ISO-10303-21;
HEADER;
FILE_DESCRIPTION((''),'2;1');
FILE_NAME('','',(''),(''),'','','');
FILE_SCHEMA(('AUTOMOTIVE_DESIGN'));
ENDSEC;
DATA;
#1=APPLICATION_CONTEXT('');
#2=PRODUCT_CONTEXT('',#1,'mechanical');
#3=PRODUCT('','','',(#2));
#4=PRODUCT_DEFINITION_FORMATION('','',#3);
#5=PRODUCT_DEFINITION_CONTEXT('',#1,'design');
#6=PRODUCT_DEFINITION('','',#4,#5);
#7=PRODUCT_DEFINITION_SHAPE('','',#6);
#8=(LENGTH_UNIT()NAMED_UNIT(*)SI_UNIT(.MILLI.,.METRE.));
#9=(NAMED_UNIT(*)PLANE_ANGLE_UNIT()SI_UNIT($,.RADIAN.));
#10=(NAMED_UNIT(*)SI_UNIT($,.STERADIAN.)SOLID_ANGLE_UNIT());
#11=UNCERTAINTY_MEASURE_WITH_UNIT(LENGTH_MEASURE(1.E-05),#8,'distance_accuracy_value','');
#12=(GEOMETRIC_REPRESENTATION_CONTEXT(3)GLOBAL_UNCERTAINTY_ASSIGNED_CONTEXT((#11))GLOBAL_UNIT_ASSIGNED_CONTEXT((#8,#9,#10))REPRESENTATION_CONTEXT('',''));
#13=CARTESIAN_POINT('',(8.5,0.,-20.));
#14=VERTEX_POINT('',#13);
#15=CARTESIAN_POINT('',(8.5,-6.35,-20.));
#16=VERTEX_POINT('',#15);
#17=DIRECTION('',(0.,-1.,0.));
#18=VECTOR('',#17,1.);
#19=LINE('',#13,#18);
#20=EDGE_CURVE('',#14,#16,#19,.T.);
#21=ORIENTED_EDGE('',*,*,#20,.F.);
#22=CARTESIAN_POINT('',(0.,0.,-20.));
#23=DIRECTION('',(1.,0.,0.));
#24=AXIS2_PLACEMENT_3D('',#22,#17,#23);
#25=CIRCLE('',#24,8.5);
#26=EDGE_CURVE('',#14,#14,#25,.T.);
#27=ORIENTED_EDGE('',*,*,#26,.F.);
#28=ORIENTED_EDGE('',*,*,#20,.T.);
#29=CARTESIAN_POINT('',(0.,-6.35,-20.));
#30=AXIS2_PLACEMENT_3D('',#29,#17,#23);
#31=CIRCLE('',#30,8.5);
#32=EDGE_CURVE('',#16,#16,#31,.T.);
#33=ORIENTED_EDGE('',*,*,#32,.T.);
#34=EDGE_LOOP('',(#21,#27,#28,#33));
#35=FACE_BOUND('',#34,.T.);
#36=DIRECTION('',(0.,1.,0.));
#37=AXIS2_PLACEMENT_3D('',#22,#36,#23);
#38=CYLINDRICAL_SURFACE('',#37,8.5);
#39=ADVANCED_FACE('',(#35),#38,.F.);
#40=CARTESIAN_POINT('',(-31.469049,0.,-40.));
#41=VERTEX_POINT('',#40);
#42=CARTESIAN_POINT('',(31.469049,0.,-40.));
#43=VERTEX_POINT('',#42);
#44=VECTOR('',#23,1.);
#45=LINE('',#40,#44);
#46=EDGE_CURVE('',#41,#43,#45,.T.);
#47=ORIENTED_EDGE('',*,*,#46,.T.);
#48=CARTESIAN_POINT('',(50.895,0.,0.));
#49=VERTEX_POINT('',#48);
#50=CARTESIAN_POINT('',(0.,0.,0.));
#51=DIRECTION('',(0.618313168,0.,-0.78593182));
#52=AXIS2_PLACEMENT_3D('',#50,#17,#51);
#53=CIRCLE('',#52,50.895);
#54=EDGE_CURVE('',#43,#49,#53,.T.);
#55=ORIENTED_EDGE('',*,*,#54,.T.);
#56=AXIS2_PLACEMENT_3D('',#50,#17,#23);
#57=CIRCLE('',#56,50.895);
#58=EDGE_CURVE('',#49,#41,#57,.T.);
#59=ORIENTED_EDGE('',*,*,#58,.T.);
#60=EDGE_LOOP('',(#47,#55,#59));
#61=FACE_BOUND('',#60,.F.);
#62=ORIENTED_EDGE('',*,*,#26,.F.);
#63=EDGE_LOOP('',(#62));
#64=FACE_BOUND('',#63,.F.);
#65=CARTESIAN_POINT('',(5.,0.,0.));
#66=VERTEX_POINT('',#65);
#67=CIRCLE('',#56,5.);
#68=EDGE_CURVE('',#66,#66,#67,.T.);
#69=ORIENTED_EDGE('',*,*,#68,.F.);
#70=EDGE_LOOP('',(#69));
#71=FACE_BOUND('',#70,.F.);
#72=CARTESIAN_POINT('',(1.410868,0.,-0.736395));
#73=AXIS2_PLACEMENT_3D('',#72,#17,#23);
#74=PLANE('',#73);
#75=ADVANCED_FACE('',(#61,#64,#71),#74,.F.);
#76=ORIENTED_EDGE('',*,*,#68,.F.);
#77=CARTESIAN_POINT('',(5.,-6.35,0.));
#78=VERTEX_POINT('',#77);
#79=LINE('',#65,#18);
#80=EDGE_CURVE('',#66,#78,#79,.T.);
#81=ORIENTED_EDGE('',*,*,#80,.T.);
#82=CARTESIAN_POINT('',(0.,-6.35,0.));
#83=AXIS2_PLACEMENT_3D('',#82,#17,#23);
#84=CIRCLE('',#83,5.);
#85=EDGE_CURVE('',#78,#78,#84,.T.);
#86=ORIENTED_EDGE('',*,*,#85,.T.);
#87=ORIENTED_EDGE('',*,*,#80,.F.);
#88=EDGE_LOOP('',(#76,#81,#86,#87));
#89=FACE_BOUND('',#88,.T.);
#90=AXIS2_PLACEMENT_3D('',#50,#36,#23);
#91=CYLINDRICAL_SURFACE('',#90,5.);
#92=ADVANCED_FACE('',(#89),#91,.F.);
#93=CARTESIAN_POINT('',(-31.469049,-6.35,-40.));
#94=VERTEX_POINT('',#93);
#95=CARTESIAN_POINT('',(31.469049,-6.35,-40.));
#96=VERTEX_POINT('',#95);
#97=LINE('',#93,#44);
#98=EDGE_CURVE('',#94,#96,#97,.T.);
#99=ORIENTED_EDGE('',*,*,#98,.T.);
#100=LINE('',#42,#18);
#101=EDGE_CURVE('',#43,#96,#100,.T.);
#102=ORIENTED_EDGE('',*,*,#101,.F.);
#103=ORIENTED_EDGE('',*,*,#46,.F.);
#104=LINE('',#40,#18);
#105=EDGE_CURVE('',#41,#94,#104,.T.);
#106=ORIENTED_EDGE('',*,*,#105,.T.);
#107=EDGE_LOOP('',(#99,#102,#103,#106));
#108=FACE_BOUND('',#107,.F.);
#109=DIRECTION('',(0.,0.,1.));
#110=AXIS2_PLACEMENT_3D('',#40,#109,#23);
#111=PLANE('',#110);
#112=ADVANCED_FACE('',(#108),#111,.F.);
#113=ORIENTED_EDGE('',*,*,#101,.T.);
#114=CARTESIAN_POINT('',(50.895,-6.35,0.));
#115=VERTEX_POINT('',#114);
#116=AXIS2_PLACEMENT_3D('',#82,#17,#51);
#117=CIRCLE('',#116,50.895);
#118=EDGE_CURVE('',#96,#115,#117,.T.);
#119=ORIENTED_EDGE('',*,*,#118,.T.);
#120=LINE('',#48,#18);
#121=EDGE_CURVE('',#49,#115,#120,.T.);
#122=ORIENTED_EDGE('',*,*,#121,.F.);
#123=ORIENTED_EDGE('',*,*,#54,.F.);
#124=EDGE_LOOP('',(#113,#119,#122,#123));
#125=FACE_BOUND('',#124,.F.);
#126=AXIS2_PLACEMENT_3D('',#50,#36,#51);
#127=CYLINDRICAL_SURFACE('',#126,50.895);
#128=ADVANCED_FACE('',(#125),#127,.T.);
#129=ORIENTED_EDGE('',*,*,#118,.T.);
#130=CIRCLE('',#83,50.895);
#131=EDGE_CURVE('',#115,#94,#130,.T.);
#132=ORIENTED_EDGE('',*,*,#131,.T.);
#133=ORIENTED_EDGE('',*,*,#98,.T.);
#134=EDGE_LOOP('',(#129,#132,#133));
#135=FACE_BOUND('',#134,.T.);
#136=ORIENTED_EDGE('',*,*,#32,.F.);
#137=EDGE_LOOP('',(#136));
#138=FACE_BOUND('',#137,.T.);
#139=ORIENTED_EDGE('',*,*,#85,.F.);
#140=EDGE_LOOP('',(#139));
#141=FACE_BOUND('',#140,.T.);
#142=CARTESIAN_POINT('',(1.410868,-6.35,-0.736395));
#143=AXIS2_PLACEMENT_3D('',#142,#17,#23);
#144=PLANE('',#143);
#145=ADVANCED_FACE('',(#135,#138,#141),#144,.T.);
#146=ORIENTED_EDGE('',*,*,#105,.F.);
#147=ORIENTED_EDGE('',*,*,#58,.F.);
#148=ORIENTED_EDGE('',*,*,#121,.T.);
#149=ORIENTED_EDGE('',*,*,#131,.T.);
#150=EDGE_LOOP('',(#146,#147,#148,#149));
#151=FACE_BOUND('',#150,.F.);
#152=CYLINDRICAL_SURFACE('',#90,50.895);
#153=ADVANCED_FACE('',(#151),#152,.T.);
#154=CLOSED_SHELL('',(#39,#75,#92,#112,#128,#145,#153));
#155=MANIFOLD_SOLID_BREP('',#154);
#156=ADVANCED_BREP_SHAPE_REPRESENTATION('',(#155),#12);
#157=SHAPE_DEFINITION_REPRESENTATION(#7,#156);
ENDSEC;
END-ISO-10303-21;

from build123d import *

# Parameters (mm, degrees)
F0_R     = 8.5
F0_R_2   = 5
F1_DEPTH = 6.35


with BuildPart() as f1:
    # F0 (on Front) → F1 (new body)
    with BuildSketch(Plane.XZ):
        with BuildLine():
            Line((-31.4690486828, -40), (0, -40))
            Line((0, -40), (31.4690486828, -40))
            ThreePointArc((31.4690486828, -40), (45.7816462008, -22.233800758), (50.895, 0))
            ThreePointArc((50.895, 0), (-22.233800758, 45.7816462008), (-31.4690486828, -40))
        make_face()
        with BuildLine():
            ThreePointArc((0, -40), (-28.2842712475, 28.2842712475), (40, 0))
            ThreePointArc((40, 0), (28.2842712475, -28.2842712475), (0, -40))
        make_face(mode=Mode.SUBTRACT)
        with BuildLine():
            ThreePointArc((0, -40), (28.2842712475, -28.2842712475), (40, 0))
            ThreePointArc((40, 0), (-28.2842712475, 28.2842712475), (0, -40))
        make_face()
        with Locations((0, -20)):
            Circle(F0_R, mode=Mode.SUBTRACT)
        Circle(F0_R_2, mode=Mode.SUBTRACT)
    extrude(amount=F1_DEPTH)


solid = f1.part
